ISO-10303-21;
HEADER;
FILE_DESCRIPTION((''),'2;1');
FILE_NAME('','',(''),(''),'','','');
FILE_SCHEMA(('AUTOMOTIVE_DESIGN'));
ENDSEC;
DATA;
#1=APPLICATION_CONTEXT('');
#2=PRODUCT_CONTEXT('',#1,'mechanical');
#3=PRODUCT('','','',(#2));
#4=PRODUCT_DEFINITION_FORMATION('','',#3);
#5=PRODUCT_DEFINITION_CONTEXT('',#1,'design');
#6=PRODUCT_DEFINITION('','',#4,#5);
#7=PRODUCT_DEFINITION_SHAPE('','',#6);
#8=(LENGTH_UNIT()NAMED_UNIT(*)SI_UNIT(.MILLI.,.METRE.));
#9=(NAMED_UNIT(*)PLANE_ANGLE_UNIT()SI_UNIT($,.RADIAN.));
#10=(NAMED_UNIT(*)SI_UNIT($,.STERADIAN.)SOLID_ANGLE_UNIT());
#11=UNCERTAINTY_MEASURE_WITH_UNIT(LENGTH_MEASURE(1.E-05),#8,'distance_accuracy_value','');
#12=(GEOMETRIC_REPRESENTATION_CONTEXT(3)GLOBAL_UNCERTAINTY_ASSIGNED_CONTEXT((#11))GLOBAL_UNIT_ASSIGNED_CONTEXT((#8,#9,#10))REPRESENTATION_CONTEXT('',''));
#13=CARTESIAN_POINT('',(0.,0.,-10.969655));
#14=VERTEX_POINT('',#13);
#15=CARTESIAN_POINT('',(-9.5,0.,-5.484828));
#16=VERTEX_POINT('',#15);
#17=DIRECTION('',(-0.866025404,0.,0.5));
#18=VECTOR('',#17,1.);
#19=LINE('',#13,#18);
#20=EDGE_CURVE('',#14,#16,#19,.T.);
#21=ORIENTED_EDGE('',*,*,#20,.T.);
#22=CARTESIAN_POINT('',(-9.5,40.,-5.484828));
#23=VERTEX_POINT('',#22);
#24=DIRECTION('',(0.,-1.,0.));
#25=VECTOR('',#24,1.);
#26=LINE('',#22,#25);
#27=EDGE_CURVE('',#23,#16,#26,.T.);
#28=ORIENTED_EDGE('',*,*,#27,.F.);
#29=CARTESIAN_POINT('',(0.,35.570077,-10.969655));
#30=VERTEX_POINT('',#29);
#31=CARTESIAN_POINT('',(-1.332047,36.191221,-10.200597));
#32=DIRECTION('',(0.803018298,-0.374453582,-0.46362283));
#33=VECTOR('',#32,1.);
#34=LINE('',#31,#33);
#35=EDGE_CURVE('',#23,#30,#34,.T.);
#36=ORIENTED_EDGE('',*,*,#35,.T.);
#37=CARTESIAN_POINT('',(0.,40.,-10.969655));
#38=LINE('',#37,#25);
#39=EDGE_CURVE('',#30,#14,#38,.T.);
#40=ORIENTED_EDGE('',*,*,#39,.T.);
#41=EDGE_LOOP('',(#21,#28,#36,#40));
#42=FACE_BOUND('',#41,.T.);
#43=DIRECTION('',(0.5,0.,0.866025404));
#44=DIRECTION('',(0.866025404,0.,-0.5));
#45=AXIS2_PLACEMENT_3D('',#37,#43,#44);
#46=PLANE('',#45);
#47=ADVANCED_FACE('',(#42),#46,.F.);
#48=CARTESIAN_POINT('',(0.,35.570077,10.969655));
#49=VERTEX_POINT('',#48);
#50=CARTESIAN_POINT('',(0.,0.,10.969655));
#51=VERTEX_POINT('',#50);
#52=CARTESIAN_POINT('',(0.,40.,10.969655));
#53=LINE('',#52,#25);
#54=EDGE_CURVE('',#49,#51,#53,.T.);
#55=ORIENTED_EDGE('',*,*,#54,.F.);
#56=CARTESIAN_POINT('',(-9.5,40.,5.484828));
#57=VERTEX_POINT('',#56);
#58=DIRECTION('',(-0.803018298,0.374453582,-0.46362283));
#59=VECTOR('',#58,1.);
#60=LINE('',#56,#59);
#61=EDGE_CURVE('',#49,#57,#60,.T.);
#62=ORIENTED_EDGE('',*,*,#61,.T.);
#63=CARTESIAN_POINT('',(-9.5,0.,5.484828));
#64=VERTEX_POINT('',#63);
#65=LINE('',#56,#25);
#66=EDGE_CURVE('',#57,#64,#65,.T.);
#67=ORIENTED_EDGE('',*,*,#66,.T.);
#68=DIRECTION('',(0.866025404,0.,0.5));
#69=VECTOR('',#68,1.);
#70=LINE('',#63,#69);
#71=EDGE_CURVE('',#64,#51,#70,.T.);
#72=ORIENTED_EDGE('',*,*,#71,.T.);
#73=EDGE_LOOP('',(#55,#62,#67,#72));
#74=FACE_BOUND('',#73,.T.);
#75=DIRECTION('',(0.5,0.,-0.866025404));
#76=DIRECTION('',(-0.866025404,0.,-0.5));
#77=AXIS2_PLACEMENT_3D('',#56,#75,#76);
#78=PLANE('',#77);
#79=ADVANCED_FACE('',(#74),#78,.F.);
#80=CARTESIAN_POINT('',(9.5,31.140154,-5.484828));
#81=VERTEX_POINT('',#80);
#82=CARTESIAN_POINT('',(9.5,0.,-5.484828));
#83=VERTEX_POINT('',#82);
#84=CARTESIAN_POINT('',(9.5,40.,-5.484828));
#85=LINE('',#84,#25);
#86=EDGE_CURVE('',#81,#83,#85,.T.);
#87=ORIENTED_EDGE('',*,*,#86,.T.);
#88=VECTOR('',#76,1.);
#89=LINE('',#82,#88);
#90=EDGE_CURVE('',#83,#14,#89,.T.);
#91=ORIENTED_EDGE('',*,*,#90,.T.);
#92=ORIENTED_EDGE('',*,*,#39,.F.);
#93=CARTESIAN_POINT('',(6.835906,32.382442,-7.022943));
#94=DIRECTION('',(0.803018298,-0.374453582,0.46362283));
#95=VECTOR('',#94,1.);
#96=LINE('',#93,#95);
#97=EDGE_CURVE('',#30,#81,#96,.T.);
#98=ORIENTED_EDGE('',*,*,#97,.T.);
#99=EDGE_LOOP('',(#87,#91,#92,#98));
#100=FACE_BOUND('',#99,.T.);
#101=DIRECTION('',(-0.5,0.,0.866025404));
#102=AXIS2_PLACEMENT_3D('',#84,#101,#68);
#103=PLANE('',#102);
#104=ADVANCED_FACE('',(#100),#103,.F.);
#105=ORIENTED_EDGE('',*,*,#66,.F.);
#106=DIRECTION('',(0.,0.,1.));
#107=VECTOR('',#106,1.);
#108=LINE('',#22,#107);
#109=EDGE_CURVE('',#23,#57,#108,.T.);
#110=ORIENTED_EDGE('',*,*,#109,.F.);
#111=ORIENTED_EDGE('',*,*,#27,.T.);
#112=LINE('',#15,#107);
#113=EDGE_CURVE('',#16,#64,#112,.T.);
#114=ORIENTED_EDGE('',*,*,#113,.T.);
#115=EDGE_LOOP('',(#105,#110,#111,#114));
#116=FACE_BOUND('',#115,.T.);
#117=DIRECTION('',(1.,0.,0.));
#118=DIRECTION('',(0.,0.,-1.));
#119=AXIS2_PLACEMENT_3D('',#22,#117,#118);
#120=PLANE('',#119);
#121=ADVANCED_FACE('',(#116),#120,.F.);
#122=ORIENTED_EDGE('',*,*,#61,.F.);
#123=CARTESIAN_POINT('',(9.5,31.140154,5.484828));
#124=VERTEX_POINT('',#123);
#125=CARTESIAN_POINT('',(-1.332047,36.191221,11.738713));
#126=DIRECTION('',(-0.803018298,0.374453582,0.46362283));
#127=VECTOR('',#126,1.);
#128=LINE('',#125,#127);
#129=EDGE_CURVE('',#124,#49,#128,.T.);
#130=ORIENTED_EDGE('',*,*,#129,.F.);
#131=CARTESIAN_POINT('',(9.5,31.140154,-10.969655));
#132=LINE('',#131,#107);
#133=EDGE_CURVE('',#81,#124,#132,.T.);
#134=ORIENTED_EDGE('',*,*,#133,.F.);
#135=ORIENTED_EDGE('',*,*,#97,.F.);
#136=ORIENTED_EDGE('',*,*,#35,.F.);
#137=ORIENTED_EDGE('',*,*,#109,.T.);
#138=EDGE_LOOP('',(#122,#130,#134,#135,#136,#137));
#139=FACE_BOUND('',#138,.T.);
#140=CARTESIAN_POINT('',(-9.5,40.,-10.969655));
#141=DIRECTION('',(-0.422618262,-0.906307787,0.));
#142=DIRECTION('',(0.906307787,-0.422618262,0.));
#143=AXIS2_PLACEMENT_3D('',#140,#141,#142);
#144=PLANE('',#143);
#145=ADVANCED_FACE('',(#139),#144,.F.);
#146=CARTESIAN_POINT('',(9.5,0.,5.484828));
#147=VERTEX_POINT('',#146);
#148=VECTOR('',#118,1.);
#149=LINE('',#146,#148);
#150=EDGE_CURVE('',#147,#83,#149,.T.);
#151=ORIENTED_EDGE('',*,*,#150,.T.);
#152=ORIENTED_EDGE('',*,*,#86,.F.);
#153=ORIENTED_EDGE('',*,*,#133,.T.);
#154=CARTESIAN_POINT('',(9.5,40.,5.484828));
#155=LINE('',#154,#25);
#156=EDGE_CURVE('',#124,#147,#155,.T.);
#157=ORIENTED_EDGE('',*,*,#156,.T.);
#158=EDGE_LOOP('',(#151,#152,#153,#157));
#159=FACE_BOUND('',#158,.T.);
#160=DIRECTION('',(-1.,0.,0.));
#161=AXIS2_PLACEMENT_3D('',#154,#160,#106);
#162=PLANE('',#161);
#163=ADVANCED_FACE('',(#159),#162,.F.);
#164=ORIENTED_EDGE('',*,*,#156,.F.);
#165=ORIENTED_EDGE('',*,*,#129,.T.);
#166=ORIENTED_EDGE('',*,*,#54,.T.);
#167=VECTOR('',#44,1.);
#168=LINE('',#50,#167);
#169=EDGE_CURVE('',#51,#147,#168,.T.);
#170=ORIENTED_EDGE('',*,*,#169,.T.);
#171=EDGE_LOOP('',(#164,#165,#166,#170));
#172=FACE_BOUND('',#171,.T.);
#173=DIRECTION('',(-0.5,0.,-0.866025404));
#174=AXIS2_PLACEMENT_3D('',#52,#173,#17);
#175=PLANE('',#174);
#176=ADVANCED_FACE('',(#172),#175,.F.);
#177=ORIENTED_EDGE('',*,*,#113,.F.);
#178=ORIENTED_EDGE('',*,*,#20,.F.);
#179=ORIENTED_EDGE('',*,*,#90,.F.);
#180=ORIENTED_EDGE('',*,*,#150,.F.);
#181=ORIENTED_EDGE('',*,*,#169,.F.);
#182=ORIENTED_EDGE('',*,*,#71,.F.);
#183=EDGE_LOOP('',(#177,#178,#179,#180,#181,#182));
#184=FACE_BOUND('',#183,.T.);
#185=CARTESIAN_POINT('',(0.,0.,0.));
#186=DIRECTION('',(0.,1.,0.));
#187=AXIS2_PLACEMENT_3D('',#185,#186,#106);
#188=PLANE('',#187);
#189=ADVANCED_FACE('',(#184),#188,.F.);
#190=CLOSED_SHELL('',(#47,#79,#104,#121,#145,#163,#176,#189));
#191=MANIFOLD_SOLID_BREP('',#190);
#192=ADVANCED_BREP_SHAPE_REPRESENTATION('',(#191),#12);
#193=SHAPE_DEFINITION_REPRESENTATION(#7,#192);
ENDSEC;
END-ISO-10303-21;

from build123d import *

# Parameters (mm, degrees)
BOSS_EXTRUDE1_DEPTH     = 40
CUT_EXTRUDE1_DEPTH      = 43.550949852
CUT_EXTRUDE1_DEPTH_BACK = 43.550949852


with BuildPart() as part:
    # Sketch1 → Boss-Extrude1 (new body)
    with BuildSketch(Plane(origin=(0, 0, 0), x_dir=(1, 0, 0), z_dir=(0, 1, 0))):
        Polygon((0, -10.969655115), (9.5, -5.484827557), (9.5, 5.484827557), (0, 10.969655115), (-9.5, 5.484827557), (-9.5, -5.484827557), align=None)
    extrude(amount=BOSS_EXTRUDE1_DEPTH)

    # Sketch2 → Cut-Extrude1 (cut, two sides: drawn at the far end of the back side and taken through both)
    with BuildSketch(Plane.XY.offset(-CUT_EXTRUDE1_DEPTH_BACK)):
        Polygon((-9.5, 40), (9.5, 31.140154495), (9.5, 40), align=None)
    extrude(amount=CUT_EXTRUDE1_DEPTH + CUT_EXTRUDE1_DEPTH_BACK, mode=Mode.SUBTRACT)


solid = part.part
